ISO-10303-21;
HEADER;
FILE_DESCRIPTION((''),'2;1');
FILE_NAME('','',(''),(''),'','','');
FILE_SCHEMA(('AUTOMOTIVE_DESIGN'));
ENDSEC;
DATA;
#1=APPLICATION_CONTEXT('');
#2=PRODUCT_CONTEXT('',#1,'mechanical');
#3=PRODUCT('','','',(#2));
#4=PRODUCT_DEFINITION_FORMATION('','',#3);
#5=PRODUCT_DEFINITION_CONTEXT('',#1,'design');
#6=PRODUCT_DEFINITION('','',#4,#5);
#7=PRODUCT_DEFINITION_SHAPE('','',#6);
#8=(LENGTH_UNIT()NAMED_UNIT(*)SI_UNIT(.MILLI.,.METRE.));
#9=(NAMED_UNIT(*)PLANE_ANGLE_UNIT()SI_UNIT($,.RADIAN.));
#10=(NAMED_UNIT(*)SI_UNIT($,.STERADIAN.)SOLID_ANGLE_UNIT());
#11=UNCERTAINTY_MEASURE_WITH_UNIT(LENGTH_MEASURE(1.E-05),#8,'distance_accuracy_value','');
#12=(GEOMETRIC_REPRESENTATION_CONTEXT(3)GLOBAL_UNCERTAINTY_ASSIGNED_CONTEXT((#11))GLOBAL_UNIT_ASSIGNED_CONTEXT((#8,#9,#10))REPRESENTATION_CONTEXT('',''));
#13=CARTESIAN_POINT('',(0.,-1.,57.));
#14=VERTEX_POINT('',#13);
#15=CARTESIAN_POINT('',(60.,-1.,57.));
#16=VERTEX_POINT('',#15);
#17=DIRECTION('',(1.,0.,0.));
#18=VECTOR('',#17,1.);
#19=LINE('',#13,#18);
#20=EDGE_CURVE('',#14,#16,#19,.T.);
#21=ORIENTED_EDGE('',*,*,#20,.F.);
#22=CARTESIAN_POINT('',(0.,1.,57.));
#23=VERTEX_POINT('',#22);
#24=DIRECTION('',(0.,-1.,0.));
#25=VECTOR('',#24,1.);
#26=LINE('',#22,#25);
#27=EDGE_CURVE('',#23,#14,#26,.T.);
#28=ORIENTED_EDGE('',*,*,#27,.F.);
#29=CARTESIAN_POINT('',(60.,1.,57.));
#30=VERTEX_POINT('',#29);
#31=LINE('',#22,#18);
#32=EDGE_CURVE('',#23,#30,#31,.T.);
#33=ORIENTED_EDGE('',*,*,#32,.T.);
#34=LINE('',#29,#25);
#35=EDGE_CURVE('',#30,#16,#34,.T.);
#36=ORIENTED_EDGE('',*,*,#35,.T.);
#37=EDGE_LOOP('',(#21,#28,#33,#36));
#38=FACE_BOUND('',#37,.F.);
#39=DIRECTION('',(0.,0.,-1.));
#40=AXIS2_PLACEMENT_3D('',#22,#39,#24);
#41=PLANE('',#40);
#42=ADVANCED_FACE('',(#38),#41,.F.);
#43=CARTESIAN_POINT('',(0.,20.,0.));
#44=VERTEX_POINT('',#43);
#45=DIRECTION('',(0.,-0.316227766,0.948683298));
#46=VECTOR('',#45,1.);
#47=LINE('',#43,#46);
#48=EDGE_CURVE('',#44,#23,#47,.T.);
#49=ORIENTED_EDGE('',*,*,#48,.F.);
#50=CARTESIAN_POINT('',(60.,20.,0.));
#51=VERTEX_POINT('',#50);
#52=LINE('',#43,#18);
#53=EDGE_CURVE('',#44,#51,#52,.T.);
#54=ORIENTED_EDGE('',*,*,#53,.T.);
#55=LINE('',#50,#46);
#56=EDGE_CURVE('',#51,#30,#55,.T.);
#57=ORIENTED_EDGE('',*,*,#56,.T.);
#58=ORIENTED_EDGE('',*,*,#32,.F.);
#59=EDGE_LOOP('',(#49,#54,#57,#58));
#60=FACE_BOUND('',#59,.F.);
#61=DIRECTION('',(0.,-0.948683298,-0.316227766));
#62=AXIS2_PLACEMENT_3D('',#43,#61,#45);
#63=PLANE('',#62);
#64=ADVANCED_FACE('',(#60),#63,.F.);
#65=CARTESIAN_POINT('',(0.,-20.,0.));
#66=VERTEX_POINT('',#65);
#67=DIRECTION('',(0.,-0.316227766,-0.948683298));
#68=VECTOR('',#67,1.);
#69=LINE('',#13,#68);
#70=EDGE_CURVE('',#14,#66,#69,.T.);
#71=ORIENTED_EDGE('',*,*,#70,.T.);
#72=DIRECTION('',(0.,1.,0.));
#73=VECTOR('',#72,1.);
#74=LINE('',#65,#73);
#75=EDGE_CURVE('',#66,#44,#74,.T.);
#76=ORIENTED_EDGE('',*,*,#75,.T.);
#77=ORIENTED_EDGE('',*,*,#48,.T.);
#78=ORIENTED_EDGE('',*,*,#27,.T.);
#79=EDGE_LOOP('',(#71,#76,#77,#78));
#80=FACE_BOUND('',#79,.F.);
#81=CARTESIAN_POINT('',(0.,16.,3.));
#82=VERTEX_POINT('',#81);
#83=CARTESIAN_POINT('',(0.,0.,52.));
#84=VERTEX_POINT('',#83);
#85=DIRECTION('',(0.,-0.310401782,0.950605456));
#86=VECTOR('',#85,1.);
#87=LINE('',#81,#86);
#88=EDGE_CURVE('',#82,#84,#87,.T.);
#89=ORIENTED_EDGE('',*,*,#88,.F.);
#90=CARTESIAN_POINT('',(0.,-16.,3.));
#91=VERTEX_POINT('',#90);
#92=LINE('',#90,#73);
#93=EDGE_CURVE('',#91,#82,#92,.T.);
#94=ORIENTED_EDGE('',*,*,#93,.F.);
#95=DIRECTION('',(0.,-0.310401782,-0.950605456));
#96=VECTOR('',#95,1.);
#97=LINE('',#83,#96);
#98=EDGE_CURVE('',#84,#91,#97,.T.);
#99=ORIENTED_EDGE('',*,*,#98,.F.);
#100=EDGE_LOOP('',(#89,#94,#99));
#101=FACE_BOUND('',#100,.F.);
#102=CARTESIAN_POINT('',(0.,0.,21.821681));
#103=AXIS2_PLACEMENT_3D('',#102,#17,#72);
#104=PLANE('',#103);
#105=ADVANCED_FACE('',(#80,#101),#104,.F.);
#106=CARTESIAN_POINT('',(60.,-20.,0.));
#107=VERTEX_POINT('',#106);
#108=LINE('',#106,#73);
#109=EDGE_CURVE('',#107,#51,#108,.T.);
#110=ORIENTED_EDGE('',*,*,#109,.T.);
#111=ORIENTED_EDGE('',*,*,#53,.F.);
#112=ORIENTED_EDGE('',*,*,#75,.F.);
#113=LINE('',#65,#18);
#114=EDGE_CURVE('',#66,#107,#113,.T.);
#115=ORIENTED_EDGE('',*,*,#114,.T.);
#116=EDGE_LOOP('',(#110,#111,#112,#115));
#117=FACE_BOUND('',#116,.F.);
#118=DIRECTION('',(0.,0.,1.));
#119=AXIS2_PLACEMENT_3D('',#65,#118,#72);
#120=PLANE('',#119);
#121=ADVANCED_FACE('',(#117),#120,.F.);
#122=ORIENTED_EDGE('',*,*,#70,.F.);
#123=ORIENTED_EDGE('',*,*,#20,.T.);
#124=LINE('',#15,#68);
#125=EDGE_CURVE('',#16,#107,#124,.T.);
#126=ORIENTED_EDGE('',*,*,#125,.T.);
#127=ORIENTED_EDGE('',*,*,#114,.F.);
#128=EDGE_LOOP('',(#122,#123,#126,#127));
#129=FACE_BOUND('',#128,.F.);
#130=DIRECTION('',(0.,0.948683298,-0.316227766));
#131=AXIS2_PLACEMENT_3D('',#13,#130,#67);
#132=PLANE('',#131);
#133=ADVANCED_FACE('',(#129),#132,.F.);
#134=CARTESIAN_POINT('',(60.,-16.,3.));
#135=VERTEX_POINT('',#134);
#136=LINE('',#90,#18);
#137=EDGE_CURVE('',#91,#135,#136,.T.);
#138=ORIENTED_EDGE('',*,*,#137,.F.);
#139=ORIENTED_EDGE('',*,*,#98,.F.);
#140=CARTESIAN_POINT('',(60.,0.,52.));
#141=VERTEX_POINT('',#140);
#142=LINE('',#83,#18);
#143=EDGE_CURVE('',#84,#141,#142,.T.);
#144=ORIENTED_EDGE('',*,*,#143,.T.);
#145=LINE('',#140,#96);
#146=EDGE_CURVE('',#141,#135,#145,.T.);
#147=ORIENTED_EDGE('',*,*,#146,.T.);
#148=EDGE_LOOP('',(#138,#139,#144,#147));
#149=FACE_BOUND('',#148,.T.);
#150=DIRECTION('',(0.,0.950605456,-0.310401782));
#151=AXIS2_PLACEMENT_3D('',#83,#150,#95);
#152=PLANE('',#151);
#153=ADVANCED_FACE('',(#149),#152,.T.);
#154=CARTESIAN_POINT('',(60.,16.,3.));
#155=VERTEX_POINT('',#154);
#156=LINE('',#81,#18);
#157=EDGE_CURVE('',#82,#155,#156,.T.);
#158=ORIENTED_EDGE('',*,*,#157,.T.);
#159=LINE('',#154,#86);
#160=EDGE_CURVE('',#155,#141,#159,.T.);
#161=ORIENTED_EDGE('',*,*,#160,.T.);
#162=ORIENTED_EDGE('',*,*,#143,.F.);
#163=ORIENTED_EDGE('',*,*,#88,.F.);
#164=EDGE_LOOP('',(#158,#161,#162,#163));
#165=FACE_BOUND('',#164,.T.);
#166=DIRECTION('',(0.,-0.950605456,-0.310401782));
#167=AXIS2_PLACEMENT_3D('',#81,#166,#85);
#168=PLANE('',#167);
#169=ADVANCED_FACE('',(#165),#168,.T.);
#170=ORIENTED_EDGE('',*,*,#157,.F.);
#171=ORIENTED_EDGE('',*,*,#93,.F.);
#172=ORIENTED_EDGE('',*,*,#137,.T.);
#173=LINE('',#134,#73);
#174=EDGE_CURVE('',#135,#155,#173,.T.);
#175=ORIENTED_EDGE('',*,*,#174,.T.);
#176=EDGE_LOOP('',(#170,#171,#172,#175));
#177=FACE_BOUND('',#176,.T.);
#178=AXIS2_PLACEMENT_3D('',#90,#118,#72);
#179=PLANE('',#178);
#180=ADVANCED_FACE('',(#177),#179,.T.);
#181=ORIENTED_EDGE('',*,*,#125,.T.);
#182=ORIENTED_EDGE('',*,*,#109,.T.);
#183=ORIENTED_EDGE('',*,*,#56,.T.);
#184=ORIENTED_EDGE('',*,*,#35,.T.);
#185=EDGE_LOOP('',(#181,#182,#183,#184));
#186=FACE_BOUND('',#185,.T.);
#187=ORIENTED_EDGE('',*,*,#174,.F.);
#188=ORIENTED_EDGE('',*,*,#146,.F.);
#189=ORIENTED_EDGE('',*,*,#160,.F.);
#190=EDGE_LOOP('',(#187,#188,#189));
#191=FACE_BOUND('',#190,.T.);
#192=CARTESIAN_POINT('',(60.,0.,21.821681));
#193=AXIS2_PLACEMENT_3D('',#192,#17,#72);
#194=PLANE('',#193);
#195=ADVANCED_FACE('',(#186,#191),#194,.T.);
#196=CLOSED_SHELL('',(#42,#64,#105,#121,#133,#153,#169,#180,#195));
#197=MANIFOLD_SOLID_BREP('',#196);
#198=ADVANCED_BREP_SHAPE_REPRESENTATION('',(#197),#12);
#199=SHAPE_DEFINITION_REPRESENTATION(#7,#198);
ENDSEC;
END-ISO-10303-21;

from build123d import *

# Parameters (mm, degrees)
PAD_DEPTH = 60


with BuildPart() as part:
    # Sketch → Pad (new body)
    with BuildSketch(Plane.YZ):
        Polygon((-20, 0), (20, 0), (1, 57), (-1, 57), align=None)
        Polygon((-16, 3), (16, 3), (0, 52), align=None, mode=Mode.SUBTRACT)
    extrude(amount=PAD_DEPTH)


solid = part.part
